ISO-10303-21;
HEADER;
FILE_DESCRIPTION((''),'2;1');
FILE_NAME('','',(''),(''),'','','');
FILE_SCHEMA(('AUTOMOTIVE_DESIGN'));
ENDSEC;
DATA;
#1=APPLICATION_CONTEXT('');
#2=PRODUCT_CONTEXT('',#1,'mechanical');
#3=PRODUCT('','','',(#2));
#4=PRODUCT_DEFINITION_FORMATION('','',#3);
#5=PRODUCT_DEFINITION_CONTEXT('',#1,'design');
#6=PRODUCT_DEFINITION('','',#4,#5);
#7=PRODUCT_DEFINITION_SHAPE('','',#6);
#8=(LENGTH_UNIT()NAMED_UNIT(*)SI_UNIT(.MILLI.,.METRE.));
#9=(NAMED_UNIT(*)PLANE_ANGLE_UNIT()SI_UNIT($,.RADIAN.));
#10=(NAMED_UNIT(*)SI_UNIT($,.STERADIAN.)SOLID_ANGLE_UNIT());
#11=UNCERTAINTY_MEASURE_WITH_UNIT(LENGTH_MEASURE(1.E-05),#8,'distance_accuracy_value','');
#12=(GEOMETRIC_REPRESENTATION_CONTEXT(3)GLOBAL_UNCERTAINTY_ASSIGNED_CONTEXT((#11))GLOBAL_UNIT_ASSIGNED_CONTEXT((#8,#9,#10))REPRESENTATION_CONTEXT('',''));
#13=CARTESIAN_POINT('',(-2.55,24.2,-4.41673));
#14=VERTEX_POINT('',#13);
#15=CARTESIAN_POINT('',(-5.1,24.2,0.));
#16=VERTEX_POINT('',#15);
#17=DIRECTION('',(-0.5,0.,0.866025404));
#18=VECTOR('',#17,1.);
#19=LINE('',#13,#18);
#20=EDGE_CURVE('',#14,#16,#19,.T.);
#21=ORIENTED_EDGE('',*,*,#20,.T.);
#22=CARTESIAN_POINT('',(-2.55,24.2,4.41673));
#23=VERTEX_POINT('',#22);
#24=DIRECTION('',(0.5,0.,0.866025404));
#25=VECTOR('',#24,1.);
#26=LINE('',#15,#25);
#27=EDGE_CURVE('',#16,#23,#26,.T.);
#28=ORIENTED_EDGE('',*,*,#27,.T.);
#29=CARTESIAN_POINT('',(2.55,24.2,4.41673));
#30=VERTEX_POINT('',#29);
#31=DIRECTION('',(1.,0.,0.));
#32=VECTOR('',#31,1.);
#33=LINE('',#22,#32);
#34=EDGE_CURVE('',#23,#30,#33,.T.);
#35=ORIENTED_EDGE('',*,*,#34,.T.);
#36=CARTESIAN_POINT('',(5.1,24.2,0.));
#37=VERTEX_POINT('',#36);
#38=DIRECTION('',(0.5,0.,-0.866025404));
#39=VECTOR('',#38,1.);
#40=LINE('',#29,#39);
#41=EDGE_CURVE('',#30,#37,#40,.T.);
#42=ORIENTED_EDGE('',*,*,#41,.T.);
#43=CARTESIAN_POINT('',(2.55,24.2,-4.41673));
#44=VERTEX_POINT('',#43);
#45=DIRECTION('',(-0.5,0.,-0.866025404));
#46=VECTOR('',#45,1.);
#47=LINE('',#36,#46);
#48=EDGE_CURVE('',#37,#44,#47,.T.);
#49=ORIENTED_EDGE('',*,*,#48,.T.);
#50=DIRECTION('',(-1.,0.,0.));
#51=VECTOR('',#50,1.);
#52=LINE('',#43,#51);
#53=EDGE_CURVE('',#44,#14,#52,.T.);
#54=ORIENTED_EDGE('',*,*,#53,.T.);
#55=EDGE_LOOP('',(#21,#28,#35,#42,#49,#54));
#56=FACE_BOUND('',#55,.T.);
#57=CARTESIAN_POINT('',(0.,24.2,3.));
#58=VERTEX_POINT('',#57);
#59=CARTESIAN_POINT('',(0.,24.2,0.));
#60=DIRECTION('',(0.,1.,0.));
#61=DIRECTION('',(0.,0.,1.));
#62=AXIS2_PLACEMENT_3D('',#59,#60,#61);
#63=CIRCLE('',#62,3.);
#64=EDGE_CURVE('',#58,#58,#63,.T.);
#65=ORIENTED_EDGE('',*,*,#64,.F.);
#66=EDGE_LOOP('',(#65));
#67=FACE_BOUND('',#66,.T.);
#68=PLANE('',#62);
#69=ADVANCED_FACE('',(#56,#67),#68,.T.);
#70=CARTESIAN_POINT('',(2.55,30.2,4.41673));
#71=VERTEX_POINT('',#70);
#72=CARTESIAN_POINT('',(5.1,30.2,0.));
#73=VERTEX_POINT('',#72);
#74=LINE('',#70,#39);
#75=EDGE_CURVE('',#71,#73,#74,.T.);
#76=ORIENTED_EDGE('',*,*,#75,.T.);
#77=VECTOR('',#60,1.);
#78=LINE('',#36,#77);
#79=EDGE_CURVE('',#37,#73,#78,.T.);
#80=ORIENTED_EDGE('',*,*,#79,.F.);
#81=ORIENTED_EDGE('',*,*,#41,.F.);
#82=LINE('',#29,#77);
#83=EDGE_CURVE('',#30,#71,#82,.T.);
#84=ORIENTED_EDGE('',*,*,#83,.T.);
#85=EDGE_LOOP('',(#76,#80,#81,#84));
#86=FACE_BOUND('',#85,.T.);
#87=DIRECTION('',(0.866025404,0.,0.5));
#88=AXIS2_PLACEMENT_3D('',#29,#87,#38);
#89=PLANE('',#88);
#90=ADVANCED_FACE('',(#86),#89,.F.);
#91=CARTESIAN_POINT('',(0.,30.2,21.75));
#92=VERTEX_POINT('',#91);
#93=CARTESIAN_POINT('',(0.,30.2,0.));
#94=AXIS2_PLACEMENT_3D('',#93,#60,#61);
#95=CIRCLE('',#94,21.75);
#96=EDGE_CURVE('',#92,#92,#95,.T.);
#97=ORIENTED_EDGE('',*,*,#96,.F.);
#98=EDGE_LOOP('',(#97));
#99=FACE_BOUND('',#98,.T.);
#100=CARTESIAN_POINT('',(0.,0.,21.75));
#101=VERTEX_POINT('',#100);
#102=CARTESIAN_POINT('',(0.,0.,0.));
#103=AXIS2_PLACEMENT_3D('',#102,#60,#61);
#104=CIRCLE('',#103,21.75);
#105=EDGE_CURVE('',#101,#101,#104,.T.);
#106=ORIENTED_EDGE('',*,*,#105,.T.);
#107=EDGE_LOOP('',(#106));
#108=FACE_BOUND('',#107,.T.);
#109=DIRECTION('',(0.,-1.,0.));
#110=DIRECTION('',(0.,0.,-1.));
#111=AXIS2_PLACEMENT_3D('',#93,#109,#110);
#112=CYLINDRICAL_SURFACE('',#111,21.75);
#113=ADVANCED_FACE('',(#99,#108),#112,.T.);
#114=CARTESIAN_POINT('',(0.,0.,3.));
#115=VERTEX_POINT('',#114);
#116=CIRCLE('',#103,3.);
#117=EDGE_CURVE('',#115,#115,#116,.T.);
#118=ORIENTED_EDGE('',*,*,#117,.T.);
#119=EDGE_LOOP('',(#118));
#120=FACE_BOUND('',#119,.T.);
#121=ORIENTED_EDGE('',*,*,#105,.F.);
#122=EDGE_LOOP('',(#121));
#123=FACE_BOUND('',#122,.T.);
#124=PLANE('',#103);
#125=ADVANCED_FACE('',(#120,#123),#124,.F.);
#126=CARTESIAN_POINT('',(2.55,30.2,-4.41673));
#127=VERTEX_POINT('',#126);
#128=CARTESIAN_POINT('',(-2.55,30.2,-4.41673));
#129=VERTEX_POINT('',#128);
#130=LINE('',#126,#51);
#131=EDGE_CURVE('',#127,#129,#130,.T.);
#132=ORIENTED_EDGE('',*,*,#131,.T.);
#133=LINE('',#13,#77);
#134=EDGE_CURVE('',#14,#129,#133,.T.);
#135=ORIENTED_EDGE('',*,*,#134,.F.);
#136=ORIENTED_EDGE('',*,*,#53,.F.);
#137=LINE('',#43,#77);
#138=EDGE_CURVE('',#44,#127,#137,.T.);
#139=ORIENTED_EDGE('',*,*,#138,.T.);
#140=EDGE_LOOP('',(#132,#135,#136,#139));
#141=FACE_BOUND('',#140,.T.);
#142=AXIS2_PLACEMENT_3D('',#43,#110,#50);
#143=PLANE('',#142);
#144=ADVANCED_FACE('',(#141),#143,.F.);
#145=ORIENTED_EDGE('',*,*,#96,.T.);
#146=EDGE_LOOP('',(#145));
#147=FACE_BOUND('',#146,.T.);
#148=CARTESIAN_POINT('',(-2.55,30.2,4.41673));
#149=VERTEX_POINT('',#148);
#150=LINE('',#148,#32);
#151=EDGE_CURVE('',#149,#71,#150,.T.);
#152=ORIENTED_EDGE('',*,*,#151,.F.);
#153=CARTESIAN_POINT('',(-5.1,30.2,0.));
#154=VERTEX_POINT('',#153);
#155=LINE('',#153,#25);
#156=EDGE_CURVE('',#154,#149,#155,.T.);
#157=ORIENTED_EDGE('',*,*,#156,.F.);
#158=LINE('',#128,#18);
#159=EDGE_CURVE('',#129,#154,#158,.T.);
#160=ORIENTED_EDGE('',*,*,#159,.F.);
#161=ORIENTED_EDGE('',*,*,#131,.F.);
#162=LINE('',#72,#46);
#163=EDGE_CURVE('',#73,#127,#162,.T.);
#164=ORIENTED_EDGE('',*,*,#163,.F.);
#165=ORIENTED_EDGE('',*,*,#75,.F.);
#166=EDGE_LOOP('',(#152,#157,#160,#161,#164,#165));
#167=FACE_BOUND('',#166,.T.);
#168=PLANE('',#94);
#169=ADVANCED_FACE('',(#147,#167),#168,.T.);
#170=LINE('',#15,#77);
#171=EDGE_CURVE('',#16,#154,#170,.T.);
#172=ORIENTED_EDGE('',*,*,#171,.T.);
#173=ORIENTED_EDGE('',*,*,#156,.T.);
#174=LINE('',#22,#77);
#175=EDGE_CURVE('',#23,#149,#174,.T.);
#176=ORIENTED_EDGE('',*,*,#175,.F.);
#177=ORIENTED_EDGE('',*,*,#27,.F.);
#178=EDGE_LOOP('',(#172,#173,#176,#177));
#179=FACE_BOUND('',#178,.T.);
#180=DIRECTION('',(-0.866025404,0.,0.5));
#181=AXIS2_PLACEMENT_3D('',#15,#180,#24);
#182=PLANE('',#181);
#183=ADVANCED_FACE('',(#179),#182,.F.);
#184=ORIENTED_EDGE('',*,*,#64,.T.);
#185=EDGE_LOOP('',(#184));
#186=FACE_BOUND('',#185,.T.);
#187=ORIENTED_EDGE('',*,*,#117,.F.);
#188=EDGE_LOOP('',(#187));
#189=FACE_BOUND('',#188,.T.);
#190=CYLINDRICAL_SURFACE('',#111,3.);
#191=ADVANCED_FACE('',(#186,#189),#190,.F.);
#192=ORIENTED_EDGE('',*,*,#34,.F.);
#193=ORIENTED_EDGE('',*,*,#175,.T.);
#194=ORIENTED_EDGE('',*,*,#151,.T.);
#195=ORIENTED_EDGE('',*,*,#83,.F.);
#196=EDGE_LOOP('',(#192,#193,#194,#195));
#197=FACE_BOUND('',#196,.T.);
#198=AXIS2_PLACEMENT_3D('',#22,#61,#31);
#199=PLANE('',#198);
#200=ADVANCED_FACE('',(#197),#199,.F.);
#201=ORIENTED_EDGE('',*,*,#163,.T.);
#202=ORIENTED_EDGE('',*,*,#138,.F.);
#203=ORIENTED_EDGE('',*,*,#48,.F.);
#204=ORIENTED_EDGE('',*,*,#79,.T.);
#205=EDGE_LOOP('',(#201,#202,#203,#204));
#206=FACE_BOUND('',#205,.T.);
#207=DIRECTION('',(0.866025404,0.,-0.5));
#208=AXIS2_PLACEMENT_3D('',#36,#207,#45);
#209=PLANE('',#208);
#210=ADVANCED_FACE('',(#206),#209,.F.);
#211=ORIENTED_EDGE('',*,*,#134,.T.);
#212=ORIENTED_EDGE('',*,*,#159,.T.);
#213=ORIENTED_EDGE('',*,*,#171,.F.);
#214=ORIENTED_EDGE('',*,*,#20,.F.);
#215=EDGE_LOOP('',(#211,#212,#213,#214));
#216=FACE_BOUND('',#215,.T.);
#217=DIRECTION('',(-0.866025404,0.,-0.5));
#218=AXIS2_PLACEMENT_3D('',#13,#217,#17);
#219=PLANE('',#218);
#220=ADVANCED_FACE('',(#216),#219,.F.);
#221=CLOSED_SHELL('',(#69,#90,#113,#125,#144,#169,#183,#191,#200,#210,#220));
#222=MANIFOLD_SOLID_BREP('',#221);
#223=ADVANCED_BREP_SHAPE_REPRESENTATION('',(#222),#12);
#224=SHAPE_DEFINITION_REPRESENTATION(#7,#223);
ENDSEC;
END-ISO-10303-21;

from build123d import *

# Parameters (mm, degrees)
SKETCH1_R           = 21.75
SKETCH1_R_2         = 3
BOSS_EXTRUDE1_DEPTH = 30.2
CUT_EXTRUDE1_DEPTH  = 6


with BuildPart() as part:
    # Sketch1 → Boss-Extrude1 (new body)
    with BuildSketch(Plane(origin=(0, 0, 0), x_dir=(1, 0, 0), z_dir=(0, 1, 0))):
        Circle(SKETCH1_R)
        Circle(SKETCH1_R_2, mode=Mode.SUBTRACT)
    extrude(amount=BOSS_EXTRUDE1_DEPTH)

    # Sketch2 → Cut-Extrude1 (cut)
    with BuildSketch(Plane(origin=(0, 30.2, 0), x_dir=(1, 0, 0), z_dir=(0, 1, 0))):
        Polygon((5.1, 0), (2.55, 4.416729559), (-2.55, 4.416729559), (-5.1, 0), (-2.55, -4.416729559), (2.55, -4.416729559), align=None)
    extrude(amount=-CUT_EXTRUDE1_DEPTH, mode=Mode.SUBTRACT)


solid = part.part
